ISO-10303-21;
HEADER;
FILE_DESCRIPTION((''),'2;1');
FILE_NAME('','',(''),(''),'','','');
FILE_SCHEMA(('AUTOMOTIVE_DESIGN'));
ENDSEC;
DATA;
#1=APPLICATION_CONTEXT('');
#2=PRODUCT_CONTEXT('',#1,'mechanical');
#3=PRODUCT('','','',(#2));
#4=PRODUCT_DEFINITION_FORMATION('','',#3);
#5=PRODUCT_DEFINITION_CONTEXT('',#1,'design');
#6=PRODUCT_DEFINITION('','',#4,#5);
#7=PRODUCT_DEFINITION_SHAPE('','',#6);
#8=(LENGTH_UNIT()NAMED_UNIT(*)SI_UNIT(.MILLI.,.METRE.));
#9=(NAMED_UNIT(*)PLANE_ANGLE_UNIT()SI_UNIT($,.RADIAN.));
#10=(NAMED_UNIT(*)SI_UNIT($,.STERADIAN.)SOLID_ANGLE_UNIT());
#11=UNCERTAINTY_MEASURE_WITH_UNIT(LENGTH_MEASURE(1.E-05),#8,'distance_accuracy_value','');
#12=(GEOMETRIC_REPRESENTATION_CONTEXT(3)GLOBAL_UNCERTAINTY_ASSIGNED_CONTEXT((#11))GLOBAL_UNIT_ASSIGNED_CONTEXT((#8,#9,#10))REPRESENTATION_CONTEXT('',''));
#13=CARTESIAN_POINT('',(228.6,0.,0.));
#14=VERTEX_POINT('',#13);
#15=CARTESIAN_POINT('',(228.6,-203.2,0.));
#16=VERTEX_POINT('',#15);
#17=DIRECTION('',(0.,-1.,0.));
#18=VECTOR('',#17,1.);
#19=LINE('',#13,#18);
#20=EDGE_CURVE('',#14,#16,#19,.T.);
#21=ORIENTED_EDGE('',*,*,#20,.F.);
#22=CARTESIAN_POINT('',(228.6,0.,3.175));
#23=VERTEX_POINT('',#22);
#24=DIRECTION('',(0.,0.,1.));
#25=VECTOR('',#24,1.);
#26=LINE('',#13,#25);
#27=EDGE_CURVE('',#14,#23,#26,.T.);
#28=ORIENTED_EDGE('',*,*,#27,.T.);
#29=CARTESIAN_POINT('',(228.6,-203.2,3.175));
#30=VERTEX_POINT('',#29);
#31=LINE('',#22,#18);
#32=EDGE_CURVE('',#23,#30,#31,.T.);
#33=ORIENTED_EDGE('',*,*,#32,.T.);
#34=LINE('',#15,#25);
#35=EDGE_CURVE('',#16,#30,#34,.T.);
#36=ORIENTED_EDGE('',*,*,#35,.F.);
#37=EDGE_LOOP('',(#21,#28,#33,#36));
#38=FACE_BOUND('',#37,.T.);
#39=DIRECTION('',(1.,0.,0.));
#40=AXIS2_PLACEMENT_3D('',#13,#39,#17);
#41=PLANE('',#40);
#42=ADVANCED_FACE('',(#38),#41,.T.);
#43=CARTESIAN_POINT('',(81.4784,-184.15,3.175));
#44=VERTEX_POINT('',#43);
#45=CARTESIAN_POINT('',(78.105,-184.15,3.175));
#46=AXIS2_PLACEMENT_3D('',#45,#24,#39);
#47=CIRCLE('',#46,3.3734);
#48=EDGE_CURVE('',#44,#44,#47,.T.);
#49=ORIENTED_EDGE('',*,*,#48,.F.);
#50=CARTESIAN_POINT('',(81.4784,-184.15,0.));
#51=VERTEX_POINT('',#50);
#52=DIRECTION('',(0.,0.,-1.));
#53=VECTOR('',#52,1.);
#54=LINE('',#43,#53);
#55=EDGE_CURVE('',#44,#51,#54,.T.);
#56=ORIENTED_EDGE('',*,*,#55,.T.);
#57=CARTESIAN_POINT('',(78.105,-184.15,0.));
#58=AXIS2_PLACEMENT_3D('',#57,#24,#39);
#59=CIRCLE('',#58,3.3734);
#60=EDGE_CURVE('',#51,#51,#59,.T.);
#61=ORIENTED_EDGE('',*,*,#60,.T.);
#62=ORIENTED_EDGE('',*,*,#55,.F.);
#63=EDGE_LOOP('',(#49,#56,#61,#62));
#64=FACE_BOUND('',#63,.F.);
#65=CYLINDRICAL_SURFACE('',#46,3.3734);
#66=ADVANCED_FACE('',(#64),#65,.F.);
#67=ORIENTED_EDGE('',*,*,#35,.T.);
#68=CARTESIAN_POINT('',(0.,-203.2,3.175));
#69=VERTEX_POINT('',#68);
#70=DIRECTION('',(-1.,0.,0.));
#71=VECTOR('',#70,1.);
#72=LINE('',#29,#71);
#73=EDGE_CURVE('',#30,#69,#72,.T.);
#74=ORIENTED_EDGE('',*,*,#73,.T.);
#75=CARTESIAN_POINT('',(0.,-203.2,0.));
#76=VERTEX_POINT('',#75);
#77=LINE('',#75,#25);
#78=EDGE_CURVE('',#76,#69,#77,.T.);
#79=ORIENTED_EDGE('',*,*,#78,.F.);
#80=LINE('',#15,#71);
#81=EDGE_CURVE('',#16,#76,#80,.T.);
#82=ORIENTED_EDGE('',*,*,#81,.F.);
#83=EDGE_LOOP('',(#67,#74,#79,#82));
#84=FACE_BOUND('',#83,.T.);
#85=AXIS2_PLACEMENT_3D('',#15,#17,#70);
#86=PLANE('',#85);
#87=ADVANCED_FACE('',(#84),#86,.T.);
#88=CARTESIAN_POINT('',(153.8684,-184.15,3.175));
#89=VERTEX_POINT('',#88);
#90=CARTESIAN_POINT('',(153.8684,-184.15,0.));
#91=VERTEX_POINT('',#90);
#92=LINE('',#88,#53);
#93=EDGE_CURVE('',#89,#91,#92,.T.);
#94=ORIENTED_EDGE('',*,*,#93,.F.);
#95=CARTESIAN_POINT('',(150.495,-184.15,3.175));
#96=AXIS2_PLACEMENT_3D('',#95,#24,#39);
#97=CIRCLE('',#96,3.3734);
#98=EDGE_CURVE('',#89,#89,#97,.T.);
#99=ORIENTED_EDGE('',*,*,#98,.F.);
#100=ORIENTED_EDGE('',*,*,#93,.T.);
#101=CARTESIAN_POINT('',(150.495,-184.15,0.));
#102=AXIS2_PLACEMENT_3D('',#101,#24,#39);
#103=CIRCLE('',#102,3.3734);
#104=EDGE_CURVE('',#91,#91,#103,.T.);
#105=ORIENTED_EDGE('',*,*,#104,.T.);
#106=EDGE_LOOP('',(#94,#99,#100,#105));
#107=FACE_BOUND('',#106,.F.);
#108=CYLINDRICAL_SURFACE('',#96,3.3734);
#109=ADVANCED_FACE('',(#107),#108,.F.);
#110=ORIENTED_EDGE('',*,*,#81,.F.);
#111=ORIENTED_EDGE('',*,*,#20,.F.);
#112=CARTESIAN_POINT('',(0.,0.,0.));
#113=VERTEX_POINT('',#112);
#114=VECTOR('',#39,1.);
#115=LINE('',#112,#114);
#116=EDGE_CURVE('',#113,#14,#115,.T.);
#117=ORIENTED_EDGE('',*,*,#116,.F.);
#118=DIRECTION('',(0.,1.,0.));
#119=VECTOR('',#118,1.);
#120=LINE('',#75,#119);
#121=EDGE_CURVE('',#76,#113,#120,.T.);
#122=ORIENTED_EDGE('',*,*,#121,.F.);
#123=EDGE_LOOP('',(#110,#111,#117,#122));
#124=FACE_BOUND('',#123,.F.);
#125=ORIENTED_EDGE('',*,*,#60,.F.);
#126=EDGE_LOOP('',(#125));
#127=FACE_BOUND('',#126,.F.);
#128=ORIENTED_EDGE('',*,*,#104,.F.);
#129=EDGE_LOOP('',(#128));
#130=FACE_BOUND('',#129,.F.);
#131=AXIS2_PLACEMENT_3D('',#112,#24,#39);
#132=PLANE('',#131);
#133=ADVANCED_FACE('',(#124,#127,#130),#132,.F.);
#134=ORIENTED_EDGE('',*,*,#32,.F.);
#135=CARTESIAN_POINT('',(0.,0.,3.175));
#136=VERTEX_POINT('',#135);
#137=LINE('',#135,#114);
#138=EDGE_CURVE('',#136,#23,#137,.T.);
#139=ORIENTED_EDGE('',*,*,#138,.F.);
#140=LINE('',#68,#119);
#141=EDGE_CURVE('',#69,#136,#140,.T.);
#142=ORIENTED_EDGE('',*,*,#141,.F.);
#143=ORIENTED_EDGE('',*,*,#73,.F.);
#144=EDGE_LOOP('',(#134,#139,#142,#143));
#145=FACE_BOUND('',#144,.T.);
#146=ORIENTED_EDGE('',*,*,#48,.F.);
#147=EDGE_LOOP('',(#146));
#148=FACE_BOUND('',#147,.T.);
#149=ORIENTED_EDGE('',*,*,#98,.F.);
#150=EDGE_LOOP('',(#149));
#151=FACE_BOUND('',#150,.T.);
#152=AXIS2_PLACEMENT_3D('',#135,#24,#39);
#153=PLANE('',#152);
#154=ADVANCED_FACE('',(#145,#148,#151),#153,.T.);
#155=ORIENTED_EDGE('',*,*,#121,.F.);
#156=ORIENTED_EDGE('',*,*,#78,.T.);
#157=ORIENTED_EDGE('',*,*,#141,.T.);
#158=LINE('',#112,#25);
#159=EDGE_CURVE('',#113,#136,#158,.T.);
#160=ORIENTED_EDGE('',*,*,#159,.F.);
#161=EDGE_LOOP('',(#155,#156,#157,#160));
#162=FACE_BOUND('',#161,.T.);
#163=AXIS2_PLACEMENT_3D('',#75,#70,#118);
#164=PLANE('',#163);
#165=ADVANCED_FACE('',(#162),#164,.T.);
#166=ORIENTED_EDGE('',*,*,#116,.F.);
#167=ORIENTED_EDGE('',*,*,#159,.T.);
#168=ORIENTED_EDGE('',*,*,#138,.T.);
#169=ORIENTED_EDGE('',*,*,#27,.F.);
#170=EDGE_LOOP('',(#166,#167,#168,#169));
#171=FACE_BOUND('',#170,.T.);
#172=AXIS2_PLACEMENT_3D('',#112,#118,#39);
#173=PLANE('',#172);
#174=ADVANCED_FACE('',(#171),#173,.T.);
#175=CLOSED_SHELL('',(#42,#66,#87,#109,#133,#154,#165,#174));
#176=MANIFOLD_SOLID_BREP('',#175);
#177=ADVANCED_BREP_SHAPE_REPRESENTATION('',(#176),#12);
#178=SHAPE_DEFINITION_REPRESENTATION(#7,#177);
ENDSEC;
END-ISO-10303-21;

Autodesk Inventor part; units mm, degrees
ref_plane "YZ Plane" through (0, 0, 0) normal (1, 0, 0) x (0, 1, 0)
ref_plane "XZ Plane" through (0, 0, 0) normal (0, 1, 0) x (-1, 0, 0)
ref_plane "XY Plane" through (0, 0, 0) normal (0, 0, 1) x (1, 0, 0)
sketch "Sketch1" plane through (0, 0, 0) normal (0, 0, 1) x (1, 0, 0)
  line L0 (0, 0) -> (228.6, 0)
  line L1 (228.6, 0) -> (228.6, -203.2)
  line L2 (228.6, -203.2) -> (0, -203.2)
  line L3 (0, -203.2) -> (0, 0)
  dimension "d0" = 228.6
  dimension "d1" = 203.2
extrude "Extrusion1" add sketch "Sketch1" along normal blind 3.175
sketch "Sketch2" plane through (0, 0, 3.175) normal (0, 0, 1) x (1, 0, 0)
  circle A0 centre (78.105, -184.15) radius 3.3734
  circle A1 centre (150.495, -184.15) radius 3.3734
  line L0 (0, -203.2) -> (228.6, -203.2) projected
  line L1 (0, 0) -> (0, -203.2) projected
  dimension "d4" = 6.7469
  dimension "d5" = 6.7469
  dimension "d6" = 19.05
  dimension "d7" = 19.05
  dimension "d8" = 72.39
  dimension "d9" = 78.105
extrude "Extrusion2" cut sketch "Sketch2" against normal blind 3.175
properties part number "plate"
